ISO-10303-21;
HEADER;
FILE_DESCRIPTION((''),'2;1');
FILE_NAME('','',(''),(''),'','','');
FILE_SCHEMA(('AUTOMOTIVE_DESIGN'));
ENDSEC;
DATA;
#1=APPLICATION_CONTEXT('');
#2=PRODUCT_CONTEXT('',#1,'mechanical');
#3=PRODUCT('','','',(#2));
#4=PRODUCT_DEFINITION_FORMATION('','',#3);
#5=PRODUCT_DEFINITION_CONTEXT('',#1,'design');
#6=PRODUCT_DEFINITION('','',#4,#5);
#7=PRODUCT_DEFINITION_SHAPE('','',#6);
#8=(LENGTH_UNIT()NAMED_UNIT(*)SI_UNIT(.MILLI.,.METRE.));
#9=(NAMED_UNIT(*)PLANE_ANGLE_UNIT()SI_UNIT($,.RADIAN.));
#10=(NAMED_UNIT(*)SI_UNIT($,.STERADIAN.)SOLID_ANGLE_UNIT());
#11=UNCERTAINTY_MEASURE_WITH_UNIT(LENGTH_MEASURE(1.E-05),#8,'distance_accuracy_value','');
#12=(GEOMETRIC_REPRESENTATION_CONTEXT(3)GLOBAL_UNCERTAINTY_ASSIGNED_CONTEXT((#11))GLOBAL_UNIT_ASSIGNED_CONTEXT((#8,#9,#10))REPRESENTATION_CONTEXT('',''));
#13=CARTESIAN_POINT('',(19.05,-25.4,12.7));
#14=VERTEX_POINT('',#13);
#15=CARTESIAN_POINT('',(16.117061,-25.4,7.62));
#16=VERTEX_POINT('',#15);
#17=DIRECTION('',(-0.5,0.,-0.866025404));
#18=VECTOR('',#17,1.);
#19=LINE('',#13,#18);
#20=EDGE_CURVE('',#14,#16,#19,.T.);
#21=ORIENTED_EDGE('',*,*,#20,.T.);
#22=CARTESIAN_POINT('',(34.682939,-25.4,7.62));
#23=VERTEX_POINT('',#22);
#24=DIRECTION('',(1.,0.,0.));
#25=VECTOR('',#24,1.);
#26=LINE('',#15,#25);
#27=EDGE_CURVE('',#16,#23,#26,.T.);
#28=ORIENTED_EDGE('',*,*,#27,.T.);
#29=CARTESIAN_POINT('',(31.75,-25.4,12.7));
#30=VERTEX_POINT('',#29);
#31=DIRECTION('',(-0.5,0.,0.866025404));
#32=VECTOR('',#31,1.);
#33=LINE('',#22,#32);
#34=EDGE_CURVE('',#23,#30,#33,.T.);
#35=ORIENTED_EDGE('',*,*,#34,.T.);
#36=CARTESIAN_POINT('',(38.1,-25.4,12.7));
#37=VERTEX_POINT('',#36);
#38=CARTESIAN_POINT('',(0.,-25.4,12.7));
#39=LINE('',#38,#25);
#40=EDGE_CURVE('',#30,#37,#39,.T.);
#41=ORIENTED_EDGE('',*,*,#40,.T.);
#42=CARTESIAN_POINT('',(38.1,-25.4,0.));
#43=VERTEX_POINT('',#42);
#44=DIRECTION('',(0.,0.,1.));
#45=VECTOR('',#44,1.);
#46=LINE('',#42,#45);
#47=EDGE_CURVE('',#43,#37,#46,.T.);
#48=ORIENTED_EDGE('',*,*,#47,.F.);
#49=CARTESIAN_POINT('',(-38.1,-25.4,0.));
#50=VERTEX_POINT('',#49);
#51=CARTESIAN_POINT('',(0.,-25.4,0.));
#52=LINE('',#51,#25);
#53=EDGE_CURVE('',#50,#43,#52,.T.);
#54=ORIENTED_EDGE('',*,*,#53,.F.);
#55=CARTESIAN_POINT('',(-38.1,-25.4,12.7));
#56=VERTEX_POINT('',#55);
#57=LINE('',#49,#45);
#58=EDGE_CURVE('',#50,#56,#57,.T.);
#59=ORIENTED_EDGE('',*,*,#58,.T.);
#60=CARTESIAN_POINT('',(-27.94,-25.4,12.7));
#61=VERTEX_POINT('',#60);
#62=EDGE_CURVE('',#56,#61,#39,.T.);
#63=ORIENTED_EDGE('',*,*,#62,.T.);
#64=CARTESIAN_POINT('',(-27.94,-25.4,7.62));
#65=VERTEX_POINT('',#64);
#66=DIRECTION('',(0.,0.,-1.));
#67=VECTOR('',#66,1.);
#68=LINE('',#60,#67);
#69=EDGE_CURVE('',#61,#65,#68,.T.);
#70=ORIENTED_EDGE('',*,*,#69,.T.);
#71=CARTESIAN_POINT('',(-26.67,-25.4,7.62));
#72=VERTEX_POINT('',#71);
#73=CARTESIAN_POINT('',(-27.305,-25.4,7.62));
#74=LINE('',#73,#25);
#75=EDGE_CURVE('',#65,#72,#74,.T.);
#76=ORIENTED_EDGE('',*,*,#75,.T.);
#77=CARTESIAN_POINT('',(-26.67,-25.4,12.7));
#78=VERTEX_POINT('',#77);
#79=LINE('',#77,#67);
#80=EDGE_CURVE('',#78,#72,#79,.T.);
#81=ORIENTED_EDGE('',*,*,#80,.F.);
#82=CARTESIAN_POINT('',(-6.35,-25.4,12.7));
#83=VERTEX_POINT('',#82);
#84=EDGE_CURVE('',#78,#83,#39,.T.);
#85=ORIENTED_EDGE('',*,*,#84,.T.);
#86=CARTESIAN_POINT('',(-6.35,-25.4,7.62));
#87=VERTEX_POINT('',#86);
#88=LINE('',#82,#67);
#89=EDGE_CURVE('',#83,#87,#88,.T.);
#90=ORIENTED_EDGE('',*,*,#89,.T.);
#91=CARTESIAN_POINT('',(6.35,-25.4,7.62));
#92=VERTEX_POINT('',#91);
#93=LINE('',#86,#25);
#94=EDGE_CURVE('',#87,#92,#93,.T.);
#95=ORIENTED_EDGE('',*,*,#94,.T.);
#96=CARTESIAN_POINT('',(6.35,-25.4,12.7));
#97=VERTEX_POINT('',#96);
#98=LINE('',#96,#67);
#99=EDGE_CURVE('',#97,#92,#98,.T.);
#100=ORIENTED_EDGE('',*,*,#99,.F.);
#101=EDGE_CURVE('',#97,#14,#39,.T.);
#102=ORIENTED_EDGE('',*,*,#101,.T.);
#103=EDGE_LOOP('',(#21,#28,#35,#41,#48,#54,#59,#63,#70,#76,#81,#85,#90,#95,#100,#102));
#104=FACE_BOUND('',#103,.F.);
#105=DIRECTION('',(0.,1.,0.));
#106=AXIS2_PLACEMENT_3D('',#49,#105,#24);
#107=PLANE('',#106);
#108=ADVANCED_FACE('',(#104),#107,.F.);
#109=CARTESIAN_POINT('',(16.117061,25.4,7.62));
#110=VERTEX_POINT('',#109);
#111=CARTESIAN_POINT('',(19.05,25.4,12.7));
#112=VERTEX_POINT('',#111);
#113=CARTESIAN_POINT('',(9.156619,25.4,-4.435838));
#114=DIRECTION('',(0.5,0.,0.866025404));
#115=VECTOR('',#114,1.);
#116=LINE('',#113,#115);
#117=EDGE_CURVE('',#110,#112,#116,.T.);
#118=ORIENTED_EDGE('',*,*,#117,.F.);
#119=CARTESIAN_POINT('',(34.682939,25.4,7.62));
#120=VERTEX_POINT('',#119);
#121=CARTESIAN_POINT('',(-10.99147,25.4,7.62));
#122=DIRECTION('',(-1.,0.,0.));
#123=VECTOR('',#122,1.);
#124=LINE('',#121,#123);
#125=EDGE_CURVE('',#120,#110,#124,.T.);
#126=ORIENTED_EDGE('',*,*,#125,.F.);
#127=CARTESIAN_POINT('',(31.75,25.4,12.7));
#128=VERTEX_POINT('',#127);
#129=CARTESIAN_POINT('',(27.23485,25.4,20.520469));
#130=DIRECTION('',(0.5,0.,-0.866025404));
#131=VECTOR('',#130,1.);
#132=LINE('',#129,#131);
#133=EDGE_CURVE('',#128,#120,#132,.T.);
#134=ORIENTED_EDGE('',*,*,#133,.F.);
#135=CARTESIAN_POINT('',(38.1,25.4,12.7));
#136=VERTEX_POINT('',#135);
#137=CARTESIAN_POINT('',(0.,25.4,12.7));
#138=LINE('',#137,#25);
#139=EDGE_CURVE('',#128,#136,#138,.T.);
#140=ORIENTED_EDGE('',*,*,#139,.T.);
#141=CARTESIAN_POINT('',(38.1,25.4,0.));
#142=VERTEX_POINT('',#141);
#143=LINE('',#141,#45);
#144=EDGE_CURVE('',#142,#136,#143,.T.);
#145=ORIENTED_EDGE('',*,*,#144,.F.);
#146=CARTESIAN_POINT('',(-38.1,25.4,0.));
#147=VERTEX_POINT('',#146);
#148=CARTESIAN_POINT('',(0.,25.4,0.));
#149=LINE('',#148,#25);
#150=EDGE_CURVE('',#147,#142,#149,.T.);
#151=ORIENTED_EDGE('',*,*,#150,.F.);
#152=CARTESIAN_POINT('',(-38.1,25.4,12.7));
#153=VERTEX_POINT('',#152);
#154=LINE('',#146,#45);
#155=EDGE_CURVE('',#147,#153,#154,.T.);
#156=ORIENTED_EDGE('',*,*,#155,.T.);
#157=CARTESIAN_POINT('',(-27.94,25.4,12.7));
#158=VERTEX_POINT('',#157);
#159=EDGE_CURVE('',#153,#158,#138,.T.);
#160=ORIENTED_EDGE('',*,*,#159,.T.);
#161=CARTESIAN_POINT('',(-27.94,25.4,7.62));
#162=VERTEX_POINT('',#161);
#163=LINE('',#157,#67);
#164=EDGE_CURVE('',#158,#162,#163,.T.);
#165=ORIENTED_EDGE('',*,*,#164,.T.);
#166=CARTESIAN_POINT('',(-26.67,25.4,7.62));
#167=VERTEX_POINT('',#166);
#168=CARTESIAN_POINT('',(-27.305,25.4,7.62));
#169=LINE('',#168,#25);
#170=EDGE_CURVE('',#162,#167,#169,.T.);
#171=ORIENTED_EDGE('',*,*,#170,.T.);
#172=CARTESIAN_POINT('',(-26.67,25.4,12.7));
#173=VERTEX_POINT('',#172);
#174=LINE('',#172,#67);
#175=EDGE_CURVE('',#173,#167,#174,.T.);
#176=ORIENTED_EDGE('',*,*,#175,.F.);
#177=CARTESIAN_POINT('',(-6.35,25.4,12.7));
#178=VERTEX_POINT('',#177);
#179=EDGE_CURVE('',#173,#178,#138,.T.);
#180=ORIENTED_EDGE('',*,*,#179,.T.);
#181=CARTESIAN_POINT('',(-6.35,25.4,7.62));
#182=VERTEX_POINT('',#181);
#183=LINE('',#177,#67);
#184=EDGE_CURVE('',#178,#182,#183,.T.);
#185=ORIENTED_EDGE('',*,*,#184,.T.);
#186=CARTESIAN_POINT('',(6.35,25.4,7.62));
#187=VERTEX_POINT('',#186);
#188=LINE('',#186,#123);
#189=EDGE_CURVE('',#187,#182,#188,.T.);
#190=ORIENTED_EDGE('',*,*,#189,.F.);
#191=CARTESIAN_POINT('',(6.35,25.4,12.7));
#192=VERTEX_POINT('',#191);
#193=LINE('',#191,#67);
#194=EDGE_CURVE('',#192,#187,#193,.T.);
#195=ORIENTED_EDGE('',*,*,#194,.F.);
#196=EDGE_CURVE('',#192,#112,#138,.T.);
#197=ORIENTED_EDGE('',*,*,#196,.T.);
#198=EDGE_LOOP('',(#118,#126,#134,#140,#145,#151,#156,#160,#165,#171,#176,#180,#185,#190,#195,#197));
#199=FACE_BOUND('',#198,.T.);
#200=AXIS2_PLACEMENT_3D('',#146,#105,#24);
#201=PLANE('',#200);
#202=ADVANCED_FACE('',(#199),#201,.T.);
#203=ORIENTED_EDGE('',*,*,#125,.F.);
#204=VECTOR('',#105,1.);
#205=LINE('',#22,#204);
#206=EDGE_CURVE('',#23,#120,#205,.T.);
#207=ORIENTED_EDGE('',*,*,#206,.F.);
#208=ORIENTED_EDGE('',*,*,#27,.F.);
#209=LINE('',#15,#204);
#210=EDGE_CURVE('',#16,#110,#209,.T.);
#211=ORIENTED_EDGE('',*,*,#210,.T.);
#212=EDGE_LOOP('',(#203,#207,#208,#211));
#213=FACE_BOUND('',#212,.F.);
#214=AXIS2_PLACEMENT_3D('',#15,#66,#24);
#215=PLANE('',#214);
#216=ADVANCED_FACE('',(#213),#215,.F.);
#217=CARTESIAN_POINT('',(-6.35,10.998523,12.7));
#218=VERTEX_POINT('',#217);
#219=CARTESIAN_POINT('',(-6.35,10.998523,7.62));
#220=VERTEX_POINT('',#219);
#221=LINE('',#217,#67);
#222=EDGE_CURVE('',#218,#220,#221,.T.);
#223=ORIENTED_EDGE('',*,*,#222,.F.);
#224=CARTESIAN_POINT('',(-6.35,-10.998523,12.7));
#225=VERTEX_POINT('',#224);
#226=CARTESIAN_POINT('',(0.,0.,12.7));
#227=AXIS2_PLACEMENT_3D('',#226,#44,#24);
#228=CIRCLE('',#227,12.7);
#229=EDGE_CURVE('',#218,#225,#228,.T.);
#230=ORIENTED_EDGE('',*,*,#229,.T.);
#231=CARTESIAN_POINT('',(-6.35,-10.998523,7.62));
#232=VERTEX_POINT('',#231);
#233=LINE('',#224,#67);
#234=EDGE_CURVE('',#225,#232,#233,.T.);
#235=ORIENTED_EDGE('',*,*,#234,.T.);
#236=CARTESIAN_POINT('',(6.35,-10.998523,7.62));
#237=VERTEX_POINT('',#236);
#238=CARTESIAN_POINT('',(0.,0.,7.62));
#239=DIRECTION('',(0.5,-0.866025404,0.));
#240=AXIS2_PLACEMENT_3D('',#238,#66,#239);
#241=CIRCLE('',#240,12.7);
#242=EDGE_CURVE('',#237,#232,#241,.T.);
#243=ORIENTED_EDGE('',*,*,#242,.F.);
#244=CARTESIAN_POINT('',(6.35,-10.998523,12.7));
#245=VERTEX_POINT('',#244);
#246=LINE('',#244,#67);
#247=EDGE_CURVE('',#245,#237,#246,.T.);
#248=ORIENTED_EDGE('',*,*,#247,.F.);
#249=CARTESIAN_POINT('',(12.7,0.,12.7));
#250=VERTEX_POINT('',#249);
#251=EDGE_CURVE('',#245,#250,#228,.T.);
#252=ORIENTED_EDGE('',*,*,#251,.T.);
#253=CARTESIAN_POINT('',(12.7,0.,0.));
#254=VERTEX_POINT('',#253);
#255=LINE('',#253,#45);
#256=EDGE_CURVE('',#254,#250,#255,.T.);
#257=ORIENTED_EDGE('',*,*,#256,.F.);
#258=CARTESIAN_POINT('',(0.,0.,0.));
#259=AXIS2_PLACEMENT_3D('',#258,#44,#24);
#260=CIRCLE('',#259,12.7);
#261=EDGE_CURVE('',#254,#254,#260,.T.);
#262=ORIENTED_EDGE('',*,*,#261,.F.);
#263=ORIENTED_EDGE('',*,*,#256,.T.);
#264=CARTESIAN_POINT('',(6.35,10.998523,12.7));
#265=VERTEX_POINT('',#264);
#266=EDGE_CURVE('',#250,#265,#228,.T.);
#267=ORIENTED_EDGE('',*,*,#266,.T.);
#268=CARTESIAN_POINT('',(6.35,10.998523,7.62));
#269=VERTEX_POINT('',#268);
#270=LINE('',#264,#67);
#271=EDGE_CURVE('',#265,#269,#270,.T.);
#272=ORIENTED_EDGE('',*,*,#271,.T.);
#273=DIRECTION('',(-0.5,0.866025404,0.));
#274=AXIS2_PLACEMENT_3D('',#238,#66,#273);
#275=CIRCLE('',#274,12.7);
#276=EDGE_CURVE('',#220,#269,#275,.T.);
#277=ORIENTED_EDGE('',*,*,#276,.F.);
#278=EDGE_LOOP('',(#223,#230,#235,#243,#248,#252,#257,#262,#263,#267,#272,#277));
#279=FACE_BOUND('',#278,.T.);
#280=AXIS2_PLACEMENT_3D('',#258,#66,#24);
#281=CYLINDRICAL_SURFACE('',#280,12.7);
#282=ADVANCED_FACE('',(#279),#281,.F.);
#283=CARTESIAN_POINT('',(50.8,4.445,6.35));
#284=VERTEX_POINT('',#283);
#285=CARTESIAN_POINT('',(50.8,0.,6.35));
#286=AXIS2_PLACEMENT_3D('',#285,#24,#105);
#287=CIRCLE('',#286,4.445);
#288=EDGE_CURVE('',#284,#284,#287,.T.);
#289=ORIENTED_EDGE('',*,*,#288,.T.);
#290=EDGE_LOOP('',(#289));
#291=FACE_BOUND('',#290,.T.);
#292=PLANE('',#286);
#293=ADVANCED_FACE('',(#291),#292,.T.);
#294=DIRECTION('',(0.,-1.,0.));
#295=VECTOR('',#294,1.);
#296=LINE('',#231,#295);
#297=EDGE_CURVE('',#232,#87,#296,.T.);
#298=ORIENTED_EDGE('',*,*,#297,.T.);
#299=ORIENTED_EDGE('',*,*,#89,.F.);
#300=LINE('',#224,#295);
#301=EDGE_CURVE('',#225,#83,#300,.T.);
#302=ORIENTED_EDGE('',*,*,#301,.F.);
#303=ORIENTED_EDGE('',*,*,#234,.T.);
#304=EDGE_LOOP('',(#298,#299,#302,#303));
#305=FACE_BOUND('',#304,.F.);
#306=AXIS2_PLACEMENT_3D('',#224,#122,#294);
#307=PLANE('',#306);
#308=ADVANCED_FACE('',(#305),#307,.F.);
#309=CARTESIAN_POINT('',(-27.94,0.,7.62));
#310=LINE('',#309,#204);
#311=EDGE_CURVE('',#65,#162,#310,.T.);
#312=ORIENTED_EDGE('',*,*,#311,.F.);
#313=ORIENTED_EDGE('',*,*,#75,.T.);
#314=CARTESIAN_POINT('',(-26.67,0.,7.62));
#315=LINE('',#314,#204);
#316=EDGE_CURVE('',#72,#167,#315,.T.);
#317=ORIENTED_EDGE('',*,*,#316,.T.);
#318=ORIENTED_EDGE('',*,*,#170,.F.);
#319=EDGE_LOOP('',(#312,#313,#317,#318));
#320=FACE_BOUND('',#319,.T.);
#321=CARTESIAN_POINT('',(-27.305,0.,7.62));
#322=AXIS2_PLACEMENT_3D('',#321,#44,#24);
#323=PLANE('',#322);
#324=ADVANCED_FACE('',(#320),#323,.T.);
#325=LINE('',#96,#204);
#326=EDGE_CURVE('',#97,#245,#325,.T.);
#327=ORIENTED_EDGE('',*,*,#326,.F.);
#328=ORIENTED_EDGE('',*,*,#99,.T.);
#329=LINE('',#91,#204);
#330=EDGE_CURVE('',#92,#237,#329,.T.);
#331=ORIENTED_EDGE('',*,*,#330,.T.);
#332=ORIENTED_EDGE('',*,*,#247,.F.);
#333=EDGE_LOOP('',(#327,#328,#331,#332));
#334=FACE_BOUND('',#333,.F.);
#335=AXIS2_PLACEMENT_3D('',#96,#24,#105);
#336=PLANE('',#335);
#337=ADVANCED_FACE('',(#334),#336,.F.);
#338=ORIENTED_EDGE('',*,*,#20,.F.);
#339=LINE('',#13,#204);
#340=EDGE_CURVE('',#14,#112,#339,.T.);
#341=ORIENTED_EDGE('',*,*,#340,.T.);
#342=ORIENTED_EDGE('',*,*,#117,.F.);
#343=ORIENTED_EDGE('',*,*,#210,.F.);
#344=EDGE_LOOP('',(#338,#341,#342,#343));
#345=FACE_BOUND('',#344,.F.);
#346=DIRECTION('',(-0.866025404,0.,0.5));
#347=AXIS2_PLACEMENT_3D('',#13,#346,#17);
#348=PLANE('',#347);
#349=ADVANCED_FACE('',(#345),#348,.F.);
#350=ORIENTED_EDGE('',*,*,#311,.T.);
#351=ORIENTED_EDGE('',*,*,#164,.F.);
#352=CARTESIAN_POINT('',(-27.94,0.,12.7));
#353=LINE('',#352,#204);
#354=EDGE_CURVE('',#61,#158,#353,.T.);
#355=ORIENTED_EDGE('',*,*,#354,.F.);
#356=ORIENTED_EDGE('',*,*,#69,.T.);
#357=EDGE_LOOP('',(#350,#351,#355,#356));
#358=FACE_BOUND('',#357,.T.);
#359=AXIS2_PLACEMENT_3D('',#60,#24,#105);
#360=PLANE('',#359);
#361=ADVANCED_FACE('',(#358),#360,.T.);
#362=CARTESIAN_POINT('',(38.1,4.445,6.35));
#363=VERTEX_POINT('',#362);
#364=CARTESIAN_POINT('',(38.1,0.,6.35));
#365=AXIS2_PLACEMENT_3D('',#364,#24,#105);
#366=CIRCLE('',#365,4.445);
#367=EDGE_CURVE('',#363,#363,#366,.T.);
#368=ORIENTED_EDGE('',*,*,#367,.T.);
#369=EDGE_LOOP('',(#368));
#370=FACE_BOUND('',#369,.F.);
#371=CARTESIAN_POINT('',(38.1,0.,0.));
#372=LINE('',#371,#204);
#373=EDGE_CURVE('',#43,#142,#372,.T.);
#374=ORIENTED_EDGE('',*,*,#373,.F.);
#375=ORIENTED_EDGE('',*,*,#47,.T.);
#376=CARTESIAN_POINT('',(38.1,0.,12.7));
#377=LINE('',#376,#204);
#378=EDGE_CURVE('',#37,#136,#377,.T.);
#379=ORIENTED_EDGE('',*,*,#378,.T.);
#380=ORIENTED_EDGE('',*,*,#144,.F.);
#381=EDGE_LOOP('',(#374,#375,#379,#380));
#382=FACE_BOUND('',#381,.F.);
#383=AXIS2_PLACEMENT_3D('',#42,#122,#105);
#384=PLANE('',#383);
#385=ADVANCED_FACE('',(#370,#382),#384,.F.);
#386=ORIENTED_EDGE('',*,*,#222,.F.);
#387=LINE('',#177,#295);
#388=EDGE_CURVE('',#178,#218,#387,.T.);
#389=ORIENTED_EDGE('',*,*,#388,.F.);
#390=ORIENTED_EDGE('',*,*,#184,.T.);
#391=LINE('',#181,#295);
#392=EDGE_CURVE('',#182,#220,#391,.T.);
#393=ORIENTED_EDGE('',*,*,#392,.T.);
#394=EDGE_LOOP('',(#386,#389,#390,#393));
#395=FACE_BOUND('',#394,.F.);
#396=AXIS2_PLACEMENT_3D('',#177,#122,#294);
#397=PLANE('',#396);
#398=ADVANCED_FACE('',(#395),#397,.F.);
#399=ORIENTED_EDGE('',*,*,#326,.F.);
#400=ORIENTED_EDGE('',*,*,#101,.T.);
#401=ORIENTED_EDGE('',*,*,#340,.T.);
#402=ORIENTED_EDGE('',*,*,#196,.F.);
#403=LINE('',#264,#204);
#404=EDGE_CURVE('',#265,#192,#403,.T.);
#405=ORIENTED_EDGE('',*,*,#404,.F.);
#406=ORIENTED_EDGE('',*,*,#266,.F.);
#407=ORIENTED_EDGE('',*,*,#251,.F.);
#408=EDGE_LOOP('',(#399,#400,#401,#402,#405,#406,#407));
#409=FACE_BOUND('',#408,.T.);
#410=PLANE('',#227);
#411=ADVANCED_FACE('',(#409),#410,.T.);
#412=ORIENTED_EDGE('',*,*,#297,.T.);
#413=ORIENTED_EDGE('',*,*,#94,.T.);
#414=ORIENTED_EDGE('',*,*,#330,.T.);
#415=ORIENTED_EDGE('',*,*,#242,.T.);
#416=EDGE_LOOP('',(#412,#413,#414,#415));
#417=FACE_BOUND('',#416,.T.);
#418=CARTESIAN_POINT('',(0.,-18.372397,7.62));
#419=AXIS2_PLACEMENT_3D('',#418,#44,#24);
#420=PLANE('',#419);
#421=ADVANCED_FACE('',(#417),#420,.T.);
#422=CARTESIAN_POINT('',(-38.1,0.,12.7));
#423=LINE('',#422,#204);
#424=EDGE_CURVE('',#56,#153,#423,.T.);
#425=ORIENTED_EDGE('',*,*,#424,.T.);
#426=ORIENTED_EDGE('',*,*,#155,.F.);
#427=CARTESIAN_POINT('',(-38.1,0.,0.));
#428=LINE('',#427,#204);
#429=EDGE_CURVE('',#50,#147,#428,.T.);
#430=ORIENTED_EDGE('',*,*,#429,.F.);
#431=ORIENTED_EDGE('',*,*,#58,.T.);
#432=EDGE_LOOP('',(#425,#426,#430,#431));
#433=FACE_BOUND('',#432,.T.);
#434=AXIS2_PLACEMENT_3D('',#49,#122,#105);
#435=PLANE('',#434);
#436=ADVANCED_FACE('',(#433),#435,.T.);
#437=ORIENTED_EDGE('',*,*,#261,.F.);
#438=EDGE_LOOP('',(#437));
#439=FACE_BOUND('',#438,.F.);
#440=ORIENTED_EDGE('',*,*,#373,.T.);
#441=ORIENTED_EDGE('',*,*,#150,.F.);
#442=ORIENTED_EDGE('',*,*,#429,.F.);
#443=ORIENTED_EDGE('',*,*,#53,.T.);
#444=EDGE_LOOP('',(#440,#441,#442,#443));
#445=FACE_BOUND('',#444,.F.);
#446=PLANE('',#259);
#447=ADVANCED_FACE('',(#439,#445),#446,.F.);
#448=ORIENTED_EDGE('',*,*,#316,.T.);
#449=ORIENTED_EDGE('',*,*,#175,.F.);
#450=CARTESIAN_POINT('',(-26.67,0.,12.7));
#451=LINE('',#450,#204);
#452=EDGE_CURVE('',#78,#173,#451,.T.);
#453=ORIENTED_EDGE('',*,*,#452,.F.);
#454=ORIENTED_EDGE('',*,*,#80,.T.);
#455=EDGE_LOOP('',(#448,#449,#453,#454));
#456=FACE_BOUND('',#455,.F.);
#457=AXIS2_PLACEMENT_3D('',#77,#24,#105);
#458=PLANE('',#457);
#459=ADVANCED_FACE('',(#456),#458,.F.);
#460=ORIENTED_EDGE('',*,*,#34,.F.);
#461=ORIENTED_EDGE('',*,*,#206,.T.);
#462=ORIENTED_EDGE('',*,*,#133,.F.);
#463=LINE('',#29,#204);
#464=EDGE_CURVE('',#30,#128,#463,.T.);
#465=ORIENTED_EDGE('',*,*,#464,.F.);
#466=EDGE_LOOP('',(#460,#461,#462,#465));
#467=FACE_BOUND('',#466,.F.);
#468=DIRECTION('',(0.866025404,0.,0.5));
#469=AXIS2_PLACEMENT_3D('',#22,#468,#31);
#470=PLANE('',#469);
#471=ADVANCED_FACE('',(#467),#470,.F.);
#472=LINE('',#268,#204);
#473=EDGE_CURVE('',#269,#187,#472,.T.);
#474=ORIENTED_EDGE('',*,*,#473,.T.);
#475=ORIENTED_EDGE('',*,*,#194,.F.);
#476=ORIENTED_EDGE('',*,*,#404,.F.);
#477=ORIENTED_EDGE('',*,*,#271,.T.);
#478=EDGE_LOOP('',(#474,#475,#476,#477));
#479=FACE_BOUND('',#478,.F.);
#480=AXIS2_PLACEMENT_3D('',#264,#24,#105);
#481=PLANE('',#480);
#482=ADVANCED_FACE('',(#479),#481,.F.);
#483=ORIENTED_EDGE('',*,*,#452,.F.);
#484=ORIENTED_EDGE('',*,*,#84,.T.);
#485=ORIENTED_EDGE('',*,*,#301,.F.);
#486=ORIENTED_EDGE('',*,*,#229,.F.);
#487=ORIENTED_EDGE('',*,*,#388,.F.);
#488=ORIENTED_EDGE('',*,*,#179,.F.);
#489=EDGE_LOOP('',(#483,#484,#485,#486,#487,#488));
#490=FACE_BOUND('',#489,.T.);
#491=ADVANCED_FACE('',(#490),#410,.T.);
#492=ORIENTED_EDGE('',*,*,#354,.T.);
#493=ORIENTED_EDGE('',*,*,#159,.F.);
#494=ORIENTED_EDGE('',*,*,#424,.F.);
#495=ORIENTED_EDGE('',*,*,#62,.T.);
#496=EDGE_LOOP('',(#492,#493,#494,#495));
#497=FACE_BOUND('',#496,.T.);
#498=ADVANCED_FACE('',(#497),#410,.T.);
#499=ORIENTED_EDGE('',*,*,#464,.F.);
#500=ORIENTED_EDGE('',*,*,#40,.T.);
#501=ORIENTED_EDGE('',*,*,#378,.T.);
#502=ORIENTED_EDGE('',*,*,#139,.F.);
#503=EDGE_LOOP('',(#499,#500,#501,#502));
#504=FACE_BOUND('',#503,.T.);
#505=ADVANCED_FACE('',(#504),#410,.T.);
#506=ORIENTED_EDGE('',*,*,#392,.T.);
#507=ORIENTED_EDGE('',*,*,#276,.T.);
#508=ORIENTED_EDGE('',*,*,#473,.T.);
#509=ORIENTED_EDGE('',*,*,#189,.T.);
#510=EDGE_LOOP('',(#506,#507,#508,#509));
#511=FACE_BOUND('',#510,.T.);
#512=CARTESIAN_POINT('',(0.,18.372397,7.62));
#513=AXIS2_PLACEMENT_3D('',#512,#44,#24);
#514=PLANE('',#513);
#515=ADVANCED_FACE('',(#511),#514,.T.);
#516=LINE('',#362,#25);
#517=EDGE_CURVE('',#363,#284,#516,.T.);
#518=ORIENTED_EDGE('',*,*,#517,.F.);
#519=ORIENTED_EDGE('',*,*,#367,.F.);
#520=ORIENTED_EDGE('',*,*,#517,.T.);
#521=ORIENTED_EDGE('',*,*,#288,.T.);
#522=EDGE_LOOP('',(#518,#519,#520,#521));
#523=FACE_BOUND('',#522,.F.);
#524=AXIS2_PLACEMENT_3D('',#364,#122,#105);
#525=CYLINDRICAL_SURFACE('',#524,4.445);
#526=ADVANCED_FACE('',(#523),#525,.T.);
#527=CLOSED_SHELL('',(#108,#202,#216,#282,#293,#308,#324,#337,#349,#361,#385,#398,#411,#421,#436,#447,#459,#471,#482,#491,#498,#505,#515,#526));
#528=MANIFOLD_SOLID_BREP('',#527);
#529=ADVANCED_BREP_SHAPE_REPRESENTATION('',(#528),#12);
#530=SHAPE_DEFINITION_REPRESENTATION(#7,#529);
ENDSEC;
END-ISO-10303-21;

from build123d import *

# Parameters (mm, degrees)
F0_W     = 76.2
F0_H     = 50.8
F0_R     = 12.7
F1_DEPTH = 12.7
F2_W     = 1.27
F2_H     = 50.8
F3_DEPTH = 5.08
F5_DEPTH = 50.801
F6_R     = 4.445
F7_DEPTH = 12.7


with BuildPart() as f1:
    # F0 (on Top) → F1 (new body)
    with BuildSketch(Plane.XY):
        Rectangle(F0_W, F0_H)
        Circle(F0_R, mode=Mode.SUBTRACT)
    extrude(amount=F1_DEPTH)

    # F2 (on face) → F3 (cut)
    with BuildSketch(Plane.XY.offset(12.7)):
        with Locations((-27.305, 0)):
            Rectangle(F2_W, F2_H)
        with BuildLine():
            Line((6.35, 25.4), (-6.35, 25.4))
            Line((-6.35, 25.4), (-6.35, 10.9985226281))
            ThreePointArc((-6.35, 10.9985226281), (0, 12.7), (6.35, 10.9985226281))
            Line((6.35, 10.9985226281), (6.35, 25.4))
        make_face()
        with BuildLine():
            Line((-6.35, -10.9985226281), (-6.35, -25.4))
            Line((-6.35, -25.4), (6.35, -25.4))
            Line((6.35, -25.4), (6.35, -10.9985226281))
            ThreePointArc((6.35, -10.9985226281), (0, -12.7), (-6.35, -10.9985226281))
        make_face()
    extrude(amount=-F3_DEPTH, mode=Mode.SUBTRACT)

    # F4 (on face) → F5 (cut, through all)
    with BuildSketch(Plane.XZ.offset(25.4)):
        Polygon((25.4, 12.7), (19.05, 12.7), (16.1170606325, 7.62), (25.4, 7.62), align=None)
        Polygon((31.75, 12.7), (25.4, 12.7), (25.4, 7.62), (34.6829393675, 7.62), align=None)
    extrude(amount=-F5_DEPTH, mode=Mode.SUBTRACT)

    # F6 (on face) → F7 (join)
    with BuildSketch(Plane.YZ.offset(38.1)):
        with Locations((0, 6.35)):
            Circle(F6_R)
    extrude(amount=F7_DEPTH)


solid = f1.part
